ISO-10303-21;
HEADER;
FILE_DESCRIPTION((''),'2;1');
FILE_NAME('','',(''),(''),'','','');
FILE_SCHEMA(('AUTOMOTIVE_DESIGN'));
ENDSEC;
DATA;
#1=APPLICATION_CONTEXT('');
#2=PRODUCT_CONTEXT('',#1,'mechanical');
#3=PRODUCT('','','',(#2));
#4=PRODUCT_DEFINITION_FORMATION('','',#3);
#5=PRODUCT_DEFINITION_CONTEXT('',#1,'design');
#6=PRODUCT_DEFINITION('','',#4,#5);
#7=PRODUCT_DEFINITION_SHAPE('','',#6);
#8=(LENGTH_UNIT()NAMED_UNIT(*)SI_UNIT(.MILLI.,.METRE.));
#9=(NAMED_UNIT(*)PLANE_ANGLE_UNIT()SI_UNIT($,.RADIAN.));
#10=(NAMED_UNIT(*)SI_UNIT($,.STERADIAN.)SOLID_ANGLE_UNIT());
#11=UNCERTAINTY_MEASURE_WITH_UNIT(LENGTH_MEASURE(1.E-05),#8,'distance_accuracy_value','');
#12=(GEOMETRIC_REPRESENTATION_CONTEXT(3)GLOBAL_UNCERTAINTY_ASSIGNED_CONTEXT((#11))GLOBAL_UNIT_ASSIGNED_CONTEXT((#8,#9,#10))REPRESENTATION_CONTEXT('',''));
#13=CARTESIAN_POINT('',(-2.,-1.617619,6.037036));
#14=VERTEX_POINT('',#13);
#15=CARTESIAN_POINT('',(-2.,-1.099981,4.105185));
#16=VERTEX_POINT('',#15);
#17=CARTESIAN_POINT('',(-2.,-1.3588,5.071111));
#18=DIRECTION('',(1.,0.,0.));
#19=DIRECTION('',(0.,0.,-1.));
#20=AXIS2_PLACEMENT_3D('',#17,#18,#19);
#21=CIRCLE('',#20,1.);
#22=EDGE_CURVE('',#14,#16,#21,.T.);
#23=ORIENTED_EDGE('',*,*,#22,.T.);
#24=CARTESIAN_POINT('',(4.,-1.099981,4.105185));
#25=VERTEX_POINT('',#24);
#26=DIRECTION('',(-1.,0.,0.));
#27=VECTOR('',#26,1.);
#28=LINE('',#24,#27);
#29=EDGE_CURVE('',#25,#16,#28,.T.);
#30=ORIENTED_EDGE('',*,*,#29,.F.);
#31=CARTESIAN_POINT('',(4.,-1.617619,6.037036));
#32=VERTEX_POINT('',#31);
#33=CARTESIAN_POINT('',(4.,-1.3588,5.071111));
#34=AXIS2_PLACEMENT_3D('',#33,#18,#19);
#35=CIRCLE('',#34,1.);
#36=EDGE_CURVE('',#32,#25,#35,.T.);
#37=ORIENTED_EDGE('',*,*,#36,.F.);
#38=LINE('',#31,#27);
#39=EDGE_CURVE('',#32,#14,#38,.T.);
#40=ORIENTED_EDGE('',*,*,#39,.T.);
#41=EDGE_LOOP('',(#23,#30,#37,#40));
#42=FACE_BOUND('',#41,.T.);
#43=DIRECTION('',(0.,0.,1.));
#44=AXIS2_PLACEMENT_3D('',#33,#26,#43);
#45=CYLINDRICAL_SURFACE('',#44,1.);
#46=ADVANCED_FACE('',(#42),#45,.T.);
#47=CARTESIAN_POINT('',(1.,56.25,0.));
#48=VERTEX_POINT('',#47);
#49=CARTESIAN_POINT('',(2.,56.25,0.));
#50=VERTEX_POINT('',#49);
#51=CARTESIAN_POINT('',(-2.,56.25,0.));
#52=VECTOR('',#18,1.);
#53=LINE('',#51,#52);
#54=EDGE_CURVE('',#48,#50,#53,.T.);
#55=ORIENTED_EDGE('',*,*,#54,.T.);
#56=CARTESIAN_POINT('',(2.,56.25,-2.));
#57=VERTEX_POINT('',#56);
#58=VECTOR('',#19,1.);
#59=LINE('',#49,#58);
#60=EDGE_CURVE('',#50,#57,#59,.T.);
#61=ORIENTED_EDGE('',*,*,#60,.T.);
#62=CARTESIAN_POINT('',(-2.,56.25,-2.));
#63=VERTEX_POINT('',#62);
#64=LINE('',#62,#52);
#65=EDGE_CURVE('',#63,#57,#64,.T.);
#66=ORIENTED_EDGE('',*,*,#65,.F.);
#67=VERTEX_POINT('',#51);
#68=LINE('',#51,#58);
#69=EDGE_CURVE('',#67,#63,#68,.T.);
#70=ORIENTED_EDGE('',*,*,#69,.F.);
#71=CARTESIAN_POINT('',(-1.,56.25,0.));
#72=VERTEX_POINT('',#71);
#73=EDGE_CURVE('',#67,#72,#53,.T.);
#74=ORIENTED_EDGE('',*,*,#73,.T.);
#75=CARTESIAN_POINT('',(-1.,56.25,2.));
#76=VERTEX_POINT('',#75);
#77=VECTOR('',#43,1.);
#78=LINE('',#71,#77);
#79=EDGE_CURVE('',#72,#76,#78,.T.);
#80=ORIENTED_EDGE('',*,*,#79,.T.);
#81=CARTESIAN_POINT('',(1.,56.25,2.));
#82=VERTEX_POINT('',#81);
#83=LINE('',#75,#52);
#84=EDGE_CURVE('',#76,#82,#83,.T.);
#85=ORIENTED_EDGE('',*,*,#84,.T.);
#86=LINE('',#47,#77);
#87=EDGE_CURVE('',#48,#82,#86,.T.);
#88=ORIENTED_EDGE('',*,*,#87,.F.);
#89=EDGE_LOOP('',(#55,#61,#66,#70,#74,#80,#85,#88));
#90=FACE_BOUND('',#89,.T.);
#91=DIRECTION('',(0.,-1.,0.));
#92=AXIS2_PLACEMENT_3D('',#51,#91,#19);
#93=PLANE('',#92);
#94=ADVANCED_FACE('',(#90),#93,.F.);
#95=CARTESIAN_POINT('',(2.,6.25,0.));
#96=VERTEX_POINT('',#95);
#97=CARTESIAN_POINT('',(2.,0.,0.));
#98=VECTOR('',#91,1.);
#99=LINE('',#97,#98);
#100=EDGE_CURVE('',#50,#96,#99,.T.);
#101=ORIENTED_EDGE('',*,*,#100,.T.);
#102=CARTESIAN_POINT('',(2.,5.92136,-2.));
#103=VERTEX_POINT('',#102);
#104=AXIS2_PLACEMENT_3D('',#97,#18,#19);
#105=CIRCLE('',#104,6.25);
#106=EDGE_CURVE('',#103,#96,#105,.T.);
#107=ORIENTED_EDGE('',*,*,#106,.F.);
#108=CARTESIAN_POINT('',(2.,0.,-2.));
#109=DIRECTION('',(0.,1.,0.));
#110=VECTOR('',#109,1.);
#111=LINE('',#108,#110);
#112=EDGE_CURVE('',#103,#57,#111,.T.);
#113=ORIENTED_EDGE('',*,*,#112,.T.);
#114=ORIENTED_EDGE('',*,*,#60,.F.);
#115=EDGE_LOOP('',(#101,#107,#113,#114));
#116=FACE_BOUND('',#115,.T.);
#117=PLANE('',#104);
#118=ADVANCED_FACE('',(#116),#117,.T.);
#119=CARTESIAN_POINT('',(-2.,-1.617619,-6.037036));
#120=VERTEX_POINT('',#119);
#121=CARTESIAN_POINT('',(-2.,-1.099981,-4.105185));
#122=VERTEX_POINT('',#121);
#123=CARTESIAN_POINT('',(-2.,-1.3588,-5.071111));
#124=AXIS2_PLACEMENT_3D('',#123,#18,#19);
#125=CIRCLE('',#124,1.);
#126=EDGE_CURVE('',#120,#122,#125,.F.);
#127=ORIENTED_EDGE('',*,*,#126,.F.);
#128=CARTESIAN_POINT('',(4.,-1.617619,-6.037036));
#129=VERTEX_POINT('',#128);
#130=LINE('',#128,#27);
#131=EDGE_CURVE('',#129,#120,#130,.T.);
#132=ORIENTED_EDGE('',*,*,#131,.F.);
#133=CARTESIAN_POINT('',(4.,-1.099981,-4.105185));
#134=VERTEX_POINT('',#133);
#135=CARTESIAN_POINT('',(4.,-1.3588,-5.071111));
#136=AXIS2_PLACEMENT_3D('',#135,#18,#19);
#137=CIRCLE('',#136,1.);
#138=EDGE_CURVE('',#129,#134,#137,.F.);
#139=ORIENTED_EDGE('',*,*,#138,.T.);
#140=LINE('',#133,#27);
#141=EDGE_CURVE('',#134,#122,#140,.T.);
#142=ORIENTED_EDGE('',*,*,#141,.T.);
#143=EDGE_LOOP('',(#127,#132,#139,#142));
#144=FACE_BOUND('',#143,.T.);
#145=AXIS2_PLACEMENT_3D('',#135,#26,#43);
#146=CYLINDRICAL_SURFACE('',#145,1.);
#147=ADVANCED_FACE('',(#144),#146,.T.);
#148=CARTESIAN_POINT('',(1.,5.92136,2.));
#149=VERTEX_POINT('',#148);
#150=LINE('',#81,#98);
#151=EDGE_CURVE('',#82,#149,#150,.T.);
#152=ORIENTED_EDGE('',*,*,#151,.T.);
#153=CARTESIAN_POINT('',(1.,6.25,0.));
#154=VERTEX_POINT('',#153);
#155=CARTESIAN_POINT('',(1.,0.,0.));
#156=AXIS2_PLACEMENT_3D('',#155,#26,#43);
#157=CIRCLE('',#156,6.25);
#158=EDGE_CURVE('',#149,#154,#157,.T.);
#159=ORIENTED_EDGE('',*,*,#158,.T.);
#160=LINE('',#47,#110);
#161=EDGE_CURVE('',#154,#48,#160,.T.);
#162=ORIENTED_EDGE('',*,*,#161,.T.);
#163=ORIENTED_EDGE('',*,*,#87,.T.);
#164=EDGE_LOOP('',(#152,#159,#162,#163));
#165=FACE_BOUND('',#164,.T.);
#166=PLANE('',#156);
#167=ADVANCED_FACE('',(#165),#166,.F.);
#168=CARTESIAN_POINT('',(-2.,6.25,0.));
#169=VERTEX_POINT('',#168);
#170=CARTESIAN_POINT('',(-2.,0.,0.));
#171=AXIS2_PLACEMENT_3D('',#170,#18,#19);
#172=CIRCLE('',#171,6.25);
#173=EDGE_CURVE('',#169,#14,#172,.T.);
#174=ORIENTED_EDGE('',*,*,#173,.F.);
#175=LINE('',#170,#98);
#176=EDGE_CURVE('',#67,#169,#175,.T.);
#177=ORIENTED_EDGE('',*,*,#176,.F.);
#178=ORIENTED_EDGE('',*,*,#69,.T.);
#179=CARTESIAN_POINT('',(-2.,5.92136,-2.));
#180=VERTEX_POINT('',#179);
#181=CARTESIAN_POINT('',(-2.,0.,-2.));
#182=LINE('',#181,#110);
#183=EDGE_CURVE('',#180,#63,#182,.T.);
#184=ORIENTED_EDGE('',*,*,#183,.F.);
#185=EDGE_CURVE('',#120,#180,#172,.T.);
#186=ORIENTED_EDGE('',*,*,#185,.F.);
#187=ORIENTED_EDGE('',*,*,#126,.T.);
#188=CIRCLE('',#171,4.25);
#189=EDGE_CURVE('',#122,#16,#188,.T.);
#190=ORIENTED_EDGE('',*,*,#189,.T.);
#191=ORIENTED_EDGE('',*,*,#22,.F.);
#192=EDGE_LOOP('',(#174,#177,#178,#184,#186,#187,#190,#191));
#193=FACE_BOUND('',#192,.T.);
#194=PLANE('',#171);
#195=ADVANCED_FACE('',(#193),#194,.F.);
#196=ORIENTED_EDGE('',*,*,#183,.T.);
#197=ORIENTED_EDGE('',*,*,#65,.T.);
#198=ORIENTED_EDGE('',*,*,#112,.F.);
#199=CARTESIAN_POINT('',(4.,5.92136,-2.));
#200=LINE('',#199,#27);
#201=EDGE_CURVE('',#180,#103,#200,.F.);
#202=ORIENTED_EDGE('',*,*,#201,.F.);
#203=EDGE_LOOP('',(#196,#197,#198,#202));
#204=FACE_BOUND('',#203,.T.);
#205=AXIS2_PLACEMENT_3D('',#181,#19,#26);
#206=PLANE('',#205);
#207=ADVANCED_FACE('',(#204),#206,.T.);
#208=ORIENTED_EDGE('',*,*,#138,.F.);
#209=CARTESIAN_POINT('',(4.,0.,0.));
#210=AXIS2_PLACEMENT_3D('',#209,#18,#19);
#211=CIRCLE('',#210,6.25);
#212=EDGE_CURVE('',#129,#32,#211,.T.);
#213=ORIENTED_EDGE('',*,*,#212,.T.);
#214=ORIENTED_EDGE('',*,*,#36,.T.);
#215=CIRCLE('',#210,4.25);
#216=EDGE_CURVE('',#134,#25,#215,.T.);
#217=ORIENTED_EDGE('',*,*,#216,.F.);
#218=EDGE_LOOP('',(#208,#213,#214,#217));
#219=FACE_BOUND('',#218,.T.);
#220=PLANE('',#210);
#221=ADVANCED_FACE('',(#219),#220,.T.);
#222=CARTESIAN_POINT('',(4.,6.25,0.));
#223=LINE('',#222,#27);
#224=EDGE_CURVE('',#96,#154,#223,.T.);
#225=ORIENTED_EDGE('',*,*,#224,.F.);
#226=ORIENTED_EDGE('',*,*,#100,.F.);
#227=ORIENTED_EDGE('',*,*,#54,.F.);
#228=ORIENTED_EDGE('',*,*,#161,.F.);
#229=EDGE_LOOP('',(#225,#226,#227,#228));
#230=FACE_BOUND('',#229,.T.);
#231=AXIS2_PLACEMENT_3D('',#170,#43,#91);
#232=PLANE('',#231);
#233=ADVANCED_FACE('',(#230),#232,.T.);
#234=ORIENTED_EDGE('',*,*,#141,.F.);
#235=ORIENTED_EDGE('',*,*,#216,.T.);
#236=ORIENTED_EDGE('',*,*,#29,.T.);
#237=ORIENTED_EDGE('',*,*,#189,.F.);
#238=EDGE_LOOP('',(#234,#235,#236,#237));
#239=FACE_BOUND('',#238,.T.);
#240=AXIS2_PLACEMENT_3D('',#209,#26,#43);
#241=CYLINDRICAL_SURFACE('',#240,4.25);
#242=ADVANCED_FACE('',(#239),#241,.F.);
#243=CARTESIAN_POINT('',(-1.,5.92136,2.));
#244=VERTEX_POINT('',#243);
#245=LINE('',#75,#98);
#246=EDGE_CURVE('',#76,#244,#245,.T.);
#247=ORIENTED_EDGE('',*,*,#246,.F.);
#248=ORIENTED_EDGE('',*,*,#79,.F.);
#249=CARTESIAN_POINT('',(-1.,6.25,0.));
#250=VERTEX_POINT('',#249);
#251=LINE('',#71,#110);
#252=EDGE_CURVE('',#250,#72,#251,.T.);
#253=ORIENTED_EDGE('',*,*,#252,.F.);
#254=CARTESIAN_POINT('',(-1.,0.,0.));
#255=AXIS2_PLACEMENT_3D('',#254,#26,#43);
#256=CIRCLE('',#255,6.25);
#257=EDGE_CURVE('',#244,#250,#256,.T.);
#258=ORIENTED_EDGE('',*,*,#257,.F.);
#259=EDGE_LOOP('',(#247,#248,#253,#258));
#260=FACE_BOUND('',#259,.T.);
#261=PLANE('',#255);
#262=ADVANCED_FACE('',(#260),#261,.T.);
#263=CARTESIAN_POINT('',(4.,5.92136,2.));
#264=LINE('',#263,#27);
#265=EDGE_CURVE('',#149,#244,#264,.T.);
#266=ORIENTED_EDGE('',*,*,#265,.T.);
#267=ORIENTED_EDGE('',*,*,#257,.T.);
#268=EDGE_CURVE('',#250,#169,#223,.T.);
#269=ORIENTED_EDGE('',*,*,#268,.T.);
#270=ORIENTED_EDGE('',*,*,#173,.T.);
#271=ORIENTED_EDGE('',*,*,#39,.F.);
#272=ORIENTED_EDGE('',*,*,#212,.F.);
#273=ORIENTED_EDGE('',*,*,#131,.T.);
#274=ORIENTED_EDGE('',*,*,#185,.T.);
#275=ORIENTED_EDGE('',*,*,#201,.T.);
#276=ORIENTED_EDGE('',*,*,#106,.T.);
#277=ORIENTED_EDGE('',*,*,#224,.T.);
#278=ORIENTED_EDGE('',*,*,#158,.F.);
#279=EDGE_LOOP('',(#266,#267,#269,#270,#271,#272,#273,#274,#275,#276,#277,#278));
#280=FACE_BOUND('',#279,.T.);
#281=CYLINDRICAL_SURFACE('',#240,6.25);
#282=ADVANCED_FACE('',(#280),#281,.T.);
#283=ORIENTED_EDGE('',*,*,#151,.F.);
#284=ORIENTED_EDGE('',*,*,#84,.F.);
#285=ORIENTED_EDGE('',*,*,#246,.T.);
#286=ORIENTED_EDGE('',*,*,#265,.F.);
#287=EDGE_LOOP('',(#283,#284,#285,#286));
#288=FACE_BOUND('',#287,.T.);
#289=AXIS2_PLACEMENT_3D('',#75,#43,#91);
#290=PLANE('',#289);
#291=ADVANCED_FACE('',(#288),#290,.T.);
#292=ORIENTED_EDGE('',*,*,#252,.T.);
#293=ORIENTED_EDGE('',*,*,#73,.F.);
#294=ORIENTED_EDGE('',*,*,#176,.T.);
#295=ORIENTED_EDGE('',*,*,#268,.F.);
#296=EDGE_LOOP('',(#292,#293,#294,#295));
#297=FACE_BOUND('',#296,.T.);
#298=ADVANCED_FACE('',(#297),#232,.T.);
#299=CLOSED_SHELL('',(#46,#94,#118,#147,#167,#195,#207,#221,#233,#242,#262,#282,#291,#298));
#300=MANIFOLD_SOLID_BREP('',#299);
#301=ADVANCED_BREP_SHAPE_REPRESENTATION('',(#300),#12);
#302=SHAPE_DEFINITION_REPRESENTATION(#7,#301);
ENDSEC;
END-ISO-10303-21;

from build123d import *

# Parameters (mm, degrees)
BOSS_EXTRUDE1_DEPTH      = 4
BOSS_EXTRUDE1_DEPTH_BACK = 2
BOSS_EXTRUDE2_DEPTH      = 2
BOSS_EXTRUDE2_DEPTH_BACK = 2
BOSS_EXTRUDE3_DEPTH      = 1
BOSS_EXTRUDE3_DEPTH_BACK = 1
SKETCH3_W                = 2
SKETCH3_H                = 52


with BuildPart() as part:
    # Sketch1 → Boss-Extrude1 (new, two sides: drawn at the far end of the back side and taken through both)
    with BuildSketch(Plane(origin=(0, 0, 0), x_dir=(0, 0, -1), z_dir=(1, 0, 0)).offset(-BOSS_EXTRUDE1_DEPTH_BACK)):
        with BuildLine():
            ThreePointArc((-4.105184762, -1.099980942), (0, 4.25), (4.105184762, -1.099980942))
            ThreePointArc((4.105184762, -1.099980942), (4.812291543, -2.324725813), (6.037036414, -1.617619032))
            ThreePointArc((6.037036414, -1.617619032), (0, 6.25), (-6.037036414, -1.617619032))
            ThreePointArc((-6.037036414, -1.617619032), (-4.812291543, -2.324725813), (-4.105184762, -1.099980942))
        make_face()
    extrude(amount=BOSS_EXTRUDE1_DEPTH + BOSS_EXTRUDE1_DEPTH_BACK)

    # Sketch2 → Boss-Extrude2 (add, two sides: drawn at the far end of the back side and taken through both)
    with BuildSketch(Plane(origin=(0, 0, 0), x_dir=(0, 0, -1), z_dir=(1, 0, 0)).offset(-BOSS_EXTRUDE2_DEPTH_BACK)):
        Polygon((0, 6.25), (0, 4.25), (2, 4.25), (2, 56.25), (0, 56.25), align=None)
    extrude(amount=BOSS_EXTRUDE2_DEPTH + BOSS_EXTRUDE2_DEPTH_BACK)

    # Sketch3 → Boss-Extrude3 (add, two sides: drawn at the far end of the back side and taken through both)
    with BuildSketch(Plane(origin=(0, 0, 0), x_dir=(0, 0, -1), z_dir=(1, 0, 0)).offset(-BOSS_EXTRUDE3_DEPTH_BACK)):
        with Locations((-1, 30.25)):
            Rectangle(SKETCH3_W, SKETCH3_H)
    extrude(amount=BOSS_EXTRUDE3_DEPTH + BOSS_EXTRUDE3_DEPTH_BACK)


solid = part.part
